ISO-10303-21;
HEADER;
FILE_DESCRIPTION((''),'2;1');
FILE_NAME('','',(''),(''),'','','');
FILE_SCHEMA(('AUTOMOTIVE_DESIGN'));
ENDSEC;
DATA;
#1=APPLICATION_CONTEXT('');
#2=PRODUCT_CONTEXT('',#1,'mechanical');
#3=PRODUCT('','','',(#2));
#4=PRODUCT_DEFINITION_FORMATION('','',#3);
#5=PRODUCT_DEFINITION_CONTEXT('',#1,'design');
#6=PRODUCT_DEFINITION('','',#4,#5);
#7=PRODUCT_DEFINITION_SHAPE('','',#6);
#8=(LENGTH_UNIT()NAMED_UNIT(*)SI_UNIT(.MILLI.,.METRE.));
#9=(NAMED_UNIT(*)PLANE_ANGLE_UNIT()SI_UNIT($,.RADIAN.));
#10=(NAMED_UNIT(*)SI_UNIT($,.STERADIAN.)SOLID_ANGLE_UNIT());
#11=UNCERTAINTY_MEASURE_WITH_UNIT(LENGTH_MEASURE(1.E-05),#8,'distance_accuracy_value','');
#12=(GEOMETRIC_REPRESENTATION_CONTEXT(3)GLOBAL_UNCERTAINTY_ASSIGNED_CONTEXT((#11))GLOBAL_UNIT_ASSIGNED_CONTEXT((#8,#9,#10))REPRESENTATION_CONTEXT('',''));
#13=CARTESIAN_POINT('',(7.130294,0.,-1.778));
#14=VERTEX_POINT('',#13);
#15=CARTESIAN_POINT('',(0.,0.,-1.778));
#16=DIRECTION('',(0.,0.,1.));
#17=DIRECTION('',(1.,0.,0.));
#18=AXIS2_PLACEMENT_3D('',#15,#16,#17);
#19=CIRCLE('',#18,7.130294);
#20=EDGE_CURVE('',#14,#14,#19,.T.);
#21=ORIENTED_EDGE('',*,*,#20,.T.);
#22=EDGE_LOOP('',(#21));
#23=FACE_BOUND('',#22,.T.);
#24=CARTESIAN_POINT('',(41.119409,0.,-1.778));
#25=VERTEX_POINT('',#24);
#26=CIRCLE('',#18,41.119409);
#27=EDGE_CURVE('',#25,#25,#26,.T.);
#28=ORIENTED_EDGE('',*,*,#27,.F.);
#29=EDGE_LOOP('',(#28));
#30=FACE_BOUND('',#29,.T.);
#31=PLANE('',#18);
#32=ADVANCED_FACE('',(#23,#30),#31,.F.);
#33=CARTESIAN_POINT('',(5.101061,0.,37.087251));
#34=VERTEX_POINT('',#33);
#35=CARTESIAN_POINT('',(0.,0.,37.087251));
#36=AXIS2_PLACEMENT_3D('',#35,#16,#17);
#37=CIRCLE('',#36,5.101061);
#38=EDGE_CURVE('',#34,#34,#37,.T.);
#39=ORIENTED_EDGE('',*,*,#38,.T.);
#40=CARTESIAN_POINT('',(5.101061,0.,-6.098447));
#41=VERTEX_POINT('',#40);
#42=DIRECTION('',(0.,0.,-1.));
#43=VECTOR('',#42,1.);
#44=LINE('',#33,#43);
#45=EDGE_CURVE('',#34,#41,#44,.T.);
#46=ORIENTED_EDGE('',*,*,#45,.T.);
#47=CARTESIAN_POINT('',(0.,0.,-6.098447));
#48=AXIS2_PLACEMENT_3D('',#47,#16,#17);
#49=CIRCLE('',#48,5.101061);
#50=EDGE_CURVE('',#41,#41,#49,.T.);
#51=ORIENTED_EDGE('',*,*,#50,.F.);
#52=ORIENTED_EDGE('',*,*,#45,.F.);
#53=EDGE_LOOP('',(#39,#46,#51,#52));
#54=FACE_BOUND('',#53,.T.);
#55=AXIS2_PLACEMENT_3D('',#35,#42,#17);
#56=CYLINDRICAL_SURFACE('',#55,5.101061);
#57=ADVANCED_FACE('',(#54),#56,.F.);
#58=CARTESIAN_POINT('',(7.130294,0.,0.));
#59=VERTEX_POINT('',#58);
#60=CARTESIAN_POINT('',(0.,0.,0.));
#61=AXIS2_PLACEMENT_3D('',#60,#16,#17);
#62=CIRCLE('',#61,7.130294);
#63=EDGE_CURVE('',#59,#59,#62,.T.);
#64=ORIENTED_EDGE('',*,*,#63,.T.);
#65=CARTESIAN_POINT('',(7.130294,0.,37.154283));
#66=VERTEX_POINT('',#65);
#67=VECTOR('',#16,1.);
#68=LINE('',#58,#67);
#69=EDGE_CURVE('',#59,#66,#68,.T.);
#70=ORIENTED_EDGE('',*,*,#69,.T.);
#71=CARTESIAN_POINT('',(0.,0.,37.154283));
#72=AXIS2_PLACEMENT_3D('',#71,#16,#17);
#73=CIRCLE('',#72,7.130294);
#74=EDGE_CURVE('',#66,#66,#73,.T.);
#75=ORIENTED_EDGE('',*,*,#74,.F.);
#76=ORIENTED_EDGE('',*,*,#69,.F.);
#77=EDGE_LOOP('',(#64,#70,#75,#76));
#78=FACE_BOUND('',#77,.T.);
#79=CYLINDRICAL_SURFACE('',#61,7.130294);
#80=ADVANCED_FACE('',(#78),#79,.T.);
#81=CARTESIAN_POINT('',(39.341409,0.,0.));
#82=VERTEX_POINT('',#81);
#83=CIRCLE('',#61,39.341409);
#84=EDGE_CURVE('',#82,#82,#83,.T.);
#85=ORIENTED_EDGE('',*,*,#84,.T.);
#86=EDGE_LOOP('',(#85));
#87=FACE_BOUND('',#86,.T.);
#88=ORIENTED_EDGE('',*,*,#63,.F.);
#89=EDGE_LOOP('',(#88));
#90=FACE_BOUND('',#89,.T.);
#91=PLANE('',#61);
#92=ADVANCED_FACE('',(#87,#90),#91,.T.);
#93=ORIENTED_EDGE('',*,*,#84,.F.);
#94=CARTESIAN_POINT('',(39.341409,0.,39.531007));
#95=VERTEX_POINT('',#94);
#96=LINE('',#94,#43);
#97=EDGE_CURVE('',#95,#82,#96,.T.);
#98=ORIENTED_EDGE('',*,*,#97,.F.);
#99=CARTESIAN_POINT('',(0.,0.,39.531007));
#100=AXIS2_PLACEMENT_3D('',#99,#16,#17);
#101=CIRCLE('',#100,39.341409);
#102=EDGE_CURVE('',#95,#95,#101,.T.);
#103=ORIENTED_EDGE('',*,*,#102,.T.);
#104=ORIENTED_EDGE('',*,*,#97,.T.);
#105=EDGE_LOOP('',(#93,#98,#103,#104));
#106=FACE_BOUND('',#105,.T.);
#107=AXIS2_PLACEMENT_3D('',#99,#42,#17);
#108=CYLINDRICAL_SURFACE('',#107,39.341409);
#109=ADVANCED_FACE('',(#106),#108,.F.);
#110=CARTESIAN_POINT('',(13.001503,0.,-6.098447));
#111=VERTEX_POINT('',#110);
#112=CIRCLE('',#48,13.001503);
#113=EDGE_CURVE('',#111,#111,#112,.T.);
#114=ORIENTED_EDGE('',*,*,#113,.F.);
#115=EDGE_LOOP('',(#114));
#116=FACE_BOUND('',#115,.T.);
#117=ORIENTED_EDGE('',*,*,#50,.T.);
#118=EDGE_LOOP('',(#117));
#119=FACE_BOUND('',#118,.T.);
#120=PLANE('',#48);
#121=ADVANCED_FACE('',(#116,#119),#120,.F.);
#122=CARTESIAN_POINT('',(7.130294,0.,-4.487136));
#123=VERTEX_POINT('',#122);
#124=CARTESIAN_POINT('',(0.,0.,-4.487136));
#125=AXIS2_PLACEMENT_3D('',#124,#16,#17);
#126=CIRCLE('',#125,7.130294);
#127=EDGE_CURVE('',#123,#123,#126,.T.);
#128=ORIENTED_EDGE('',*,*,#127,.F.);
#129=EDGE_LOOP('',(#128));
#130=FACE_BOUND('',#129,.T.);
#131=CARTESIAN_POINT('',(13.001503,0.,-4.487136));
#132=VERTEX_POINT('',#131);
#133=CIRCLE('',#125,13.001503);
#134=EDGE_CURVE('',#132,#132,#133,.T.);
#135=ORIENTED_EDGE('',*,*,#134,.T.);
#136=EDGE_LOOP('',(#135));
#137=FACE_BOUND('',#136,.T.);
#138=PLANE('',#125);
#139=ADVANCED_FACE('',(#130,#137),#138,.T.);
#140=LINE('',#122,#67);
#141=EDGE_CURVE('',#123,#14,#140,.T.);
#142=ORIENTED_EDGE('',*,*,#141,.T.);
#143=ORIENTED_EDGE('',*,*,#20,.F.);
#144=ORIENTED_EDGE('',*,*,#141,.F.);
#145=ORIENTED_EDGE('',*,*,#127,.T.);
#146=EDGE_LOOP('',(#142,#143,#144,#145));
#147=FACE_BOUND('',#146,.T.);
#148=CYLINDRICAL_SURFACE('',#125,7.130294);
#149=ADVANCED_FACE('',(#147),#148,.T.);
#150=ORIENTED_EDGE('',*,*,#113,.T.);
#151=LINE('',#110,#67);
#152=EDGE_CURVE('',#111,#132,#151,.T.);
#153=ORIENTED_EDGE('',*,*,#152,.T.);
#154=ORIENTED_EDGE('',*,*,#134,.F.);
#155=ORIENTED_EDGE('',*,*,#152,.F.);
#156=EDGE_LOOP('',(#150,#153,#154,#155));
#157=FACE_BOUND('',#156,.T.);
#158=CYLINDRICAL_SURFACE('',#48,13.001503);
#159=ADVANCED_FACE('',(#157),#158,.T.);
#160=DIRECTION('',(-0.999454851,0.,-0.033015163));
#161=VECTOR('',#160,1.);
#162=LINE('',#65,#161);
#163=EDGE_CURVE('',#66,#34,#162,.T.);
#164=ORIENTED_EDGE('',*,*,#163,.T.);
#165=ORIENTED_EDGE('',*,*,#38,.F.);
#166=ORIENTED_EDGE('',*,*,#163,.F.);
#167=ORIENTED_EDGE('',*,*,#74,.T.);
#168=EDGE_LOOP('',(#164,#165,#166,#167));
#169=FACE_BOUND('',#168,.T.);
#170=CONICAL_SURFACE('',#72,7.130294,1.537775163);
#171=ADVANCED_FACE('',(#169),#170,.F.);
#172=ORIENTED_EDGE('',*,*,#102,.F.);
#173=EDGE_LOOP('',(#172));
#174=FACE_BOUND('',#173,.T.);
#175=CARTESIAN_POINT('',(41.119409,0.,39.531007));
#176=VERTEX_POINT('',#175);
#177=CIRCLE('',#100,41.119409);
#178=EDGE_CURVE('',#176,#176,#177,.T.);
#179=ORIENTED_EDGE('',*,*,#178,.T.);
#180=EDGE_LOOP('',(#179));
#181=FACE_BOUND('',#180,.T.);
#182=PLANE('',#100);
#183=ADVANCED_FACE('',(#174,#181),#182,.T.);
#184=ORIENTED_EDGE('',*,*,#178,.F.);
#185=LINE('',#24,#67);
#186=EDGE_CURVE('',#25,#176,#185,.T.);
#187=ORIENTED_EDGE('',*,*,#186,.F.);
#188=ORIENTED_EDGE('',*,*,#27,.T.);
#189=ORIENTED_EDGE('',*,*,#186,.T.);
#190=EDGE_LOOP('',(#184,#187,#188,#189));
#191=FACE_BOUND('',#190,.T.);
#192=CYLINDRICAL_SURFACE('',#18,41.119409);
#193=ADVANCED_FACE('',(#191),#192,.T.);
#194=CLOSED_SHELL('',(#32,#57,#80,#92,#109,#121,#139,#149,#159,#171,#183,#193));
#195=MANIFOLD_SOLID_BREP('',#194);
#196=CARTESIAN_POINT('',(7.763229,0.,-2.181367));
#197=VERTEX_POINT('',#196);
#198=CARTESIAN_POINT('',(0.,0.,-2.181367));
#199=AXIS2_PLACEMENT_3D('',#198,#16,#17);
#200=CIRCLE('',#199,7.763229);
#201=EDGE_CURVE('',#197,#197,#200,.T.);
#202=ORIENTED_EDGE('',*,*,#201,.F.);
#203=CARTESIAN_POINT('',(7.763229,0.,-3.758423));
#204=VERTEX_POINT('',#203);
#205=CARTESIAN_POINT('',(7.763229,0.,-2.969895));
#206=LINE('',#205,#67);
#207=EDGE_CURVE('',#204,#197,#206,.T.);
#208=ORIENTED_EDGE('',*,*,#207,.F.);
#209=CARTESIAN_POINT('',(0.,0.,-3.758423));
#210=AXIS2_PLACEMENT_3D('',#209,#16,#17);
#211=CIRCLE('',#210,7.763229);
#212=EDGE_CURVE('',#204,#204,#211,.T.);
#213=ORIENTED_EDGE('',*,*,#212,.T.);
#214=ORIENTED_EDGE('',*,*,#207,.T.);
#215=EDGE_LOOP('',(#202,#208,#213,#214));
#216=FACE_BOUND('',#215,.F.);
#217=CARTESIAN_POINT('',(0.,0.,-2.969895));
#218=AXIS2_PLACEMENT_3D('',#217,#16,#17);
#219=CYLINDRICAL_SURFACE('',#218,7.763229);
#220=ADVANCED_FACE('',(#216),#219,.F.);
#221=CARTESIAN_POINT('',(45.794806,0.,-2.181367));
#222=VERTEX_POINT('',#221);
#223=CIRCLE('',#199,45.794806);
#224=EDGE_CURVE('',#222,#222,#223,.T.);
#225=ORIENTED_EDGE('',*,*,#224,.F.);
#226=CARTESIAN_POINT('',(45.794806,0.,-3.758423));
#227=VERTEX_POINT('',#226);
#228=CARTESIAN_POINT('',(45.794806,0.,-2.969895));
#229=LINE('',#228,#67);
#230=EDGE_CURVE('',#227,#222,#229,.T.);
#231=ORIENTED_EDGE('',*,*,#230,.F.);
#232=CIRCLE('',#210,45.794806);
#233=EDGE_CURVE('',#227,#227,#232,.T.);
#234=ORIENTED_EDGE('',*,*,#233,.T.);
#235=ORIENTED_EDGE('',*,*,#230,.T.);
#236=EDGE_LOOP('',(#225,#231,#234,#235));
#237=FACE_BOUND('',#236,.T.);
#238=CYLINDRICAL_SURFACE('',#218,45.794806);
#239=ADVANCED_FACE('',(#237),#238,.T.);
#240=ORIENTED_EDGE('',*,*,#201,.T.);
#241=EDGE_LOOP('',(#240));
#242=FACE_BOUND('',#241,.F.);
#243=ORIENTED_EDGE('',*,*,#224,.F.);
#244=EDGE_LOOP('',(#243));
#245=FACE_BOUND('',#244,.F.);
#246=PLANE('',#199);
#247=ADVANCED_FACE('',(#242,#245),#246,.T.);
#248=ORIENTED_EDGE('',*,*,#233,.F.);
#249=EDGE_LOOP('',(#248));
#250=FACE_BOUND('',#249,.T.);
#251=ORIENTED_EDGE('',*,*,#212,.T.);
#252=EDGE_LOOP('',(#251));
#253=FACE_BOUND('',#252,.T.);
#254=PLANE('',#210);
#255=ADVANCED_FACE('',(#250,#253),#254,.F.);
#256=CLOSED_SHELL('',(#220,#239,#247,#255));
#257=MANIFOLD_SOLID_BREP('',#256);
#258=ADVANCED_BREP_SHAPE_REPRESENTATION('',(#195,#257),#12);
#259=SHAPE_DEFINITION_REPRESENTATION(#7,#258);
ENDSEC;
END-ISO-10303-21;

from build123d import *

# Parameters (mm, degrees)
F0_W = 38.031577
F0_H = 1.577056


with BuildPart() as f1:
    # F0 (on Front) → F1 (revolve)
    with BuildSketch(Plane.XZ):
        Polygon((39.341409, 0), (7.130294, 0), (7.130294, 37.154283), (5.101061, 37.087251), (5.101061, 0), (5.101061, -6.098447), (13.001503, -6.098447), (13.001503, -4.487136), (7.130294, -4.487136), (7.130294, -1.778), (41.119409, -1.778), (41.119409, 39.531007), (39.341409, 39.531007), align=None)
        with Locations((26.779018, -2.969895)):
            Rectangle(F0_W, F0_H)
    revolve(axis=Axis((0, 0, 17.398385), (0, 0, 1)))


solid = f1.part
